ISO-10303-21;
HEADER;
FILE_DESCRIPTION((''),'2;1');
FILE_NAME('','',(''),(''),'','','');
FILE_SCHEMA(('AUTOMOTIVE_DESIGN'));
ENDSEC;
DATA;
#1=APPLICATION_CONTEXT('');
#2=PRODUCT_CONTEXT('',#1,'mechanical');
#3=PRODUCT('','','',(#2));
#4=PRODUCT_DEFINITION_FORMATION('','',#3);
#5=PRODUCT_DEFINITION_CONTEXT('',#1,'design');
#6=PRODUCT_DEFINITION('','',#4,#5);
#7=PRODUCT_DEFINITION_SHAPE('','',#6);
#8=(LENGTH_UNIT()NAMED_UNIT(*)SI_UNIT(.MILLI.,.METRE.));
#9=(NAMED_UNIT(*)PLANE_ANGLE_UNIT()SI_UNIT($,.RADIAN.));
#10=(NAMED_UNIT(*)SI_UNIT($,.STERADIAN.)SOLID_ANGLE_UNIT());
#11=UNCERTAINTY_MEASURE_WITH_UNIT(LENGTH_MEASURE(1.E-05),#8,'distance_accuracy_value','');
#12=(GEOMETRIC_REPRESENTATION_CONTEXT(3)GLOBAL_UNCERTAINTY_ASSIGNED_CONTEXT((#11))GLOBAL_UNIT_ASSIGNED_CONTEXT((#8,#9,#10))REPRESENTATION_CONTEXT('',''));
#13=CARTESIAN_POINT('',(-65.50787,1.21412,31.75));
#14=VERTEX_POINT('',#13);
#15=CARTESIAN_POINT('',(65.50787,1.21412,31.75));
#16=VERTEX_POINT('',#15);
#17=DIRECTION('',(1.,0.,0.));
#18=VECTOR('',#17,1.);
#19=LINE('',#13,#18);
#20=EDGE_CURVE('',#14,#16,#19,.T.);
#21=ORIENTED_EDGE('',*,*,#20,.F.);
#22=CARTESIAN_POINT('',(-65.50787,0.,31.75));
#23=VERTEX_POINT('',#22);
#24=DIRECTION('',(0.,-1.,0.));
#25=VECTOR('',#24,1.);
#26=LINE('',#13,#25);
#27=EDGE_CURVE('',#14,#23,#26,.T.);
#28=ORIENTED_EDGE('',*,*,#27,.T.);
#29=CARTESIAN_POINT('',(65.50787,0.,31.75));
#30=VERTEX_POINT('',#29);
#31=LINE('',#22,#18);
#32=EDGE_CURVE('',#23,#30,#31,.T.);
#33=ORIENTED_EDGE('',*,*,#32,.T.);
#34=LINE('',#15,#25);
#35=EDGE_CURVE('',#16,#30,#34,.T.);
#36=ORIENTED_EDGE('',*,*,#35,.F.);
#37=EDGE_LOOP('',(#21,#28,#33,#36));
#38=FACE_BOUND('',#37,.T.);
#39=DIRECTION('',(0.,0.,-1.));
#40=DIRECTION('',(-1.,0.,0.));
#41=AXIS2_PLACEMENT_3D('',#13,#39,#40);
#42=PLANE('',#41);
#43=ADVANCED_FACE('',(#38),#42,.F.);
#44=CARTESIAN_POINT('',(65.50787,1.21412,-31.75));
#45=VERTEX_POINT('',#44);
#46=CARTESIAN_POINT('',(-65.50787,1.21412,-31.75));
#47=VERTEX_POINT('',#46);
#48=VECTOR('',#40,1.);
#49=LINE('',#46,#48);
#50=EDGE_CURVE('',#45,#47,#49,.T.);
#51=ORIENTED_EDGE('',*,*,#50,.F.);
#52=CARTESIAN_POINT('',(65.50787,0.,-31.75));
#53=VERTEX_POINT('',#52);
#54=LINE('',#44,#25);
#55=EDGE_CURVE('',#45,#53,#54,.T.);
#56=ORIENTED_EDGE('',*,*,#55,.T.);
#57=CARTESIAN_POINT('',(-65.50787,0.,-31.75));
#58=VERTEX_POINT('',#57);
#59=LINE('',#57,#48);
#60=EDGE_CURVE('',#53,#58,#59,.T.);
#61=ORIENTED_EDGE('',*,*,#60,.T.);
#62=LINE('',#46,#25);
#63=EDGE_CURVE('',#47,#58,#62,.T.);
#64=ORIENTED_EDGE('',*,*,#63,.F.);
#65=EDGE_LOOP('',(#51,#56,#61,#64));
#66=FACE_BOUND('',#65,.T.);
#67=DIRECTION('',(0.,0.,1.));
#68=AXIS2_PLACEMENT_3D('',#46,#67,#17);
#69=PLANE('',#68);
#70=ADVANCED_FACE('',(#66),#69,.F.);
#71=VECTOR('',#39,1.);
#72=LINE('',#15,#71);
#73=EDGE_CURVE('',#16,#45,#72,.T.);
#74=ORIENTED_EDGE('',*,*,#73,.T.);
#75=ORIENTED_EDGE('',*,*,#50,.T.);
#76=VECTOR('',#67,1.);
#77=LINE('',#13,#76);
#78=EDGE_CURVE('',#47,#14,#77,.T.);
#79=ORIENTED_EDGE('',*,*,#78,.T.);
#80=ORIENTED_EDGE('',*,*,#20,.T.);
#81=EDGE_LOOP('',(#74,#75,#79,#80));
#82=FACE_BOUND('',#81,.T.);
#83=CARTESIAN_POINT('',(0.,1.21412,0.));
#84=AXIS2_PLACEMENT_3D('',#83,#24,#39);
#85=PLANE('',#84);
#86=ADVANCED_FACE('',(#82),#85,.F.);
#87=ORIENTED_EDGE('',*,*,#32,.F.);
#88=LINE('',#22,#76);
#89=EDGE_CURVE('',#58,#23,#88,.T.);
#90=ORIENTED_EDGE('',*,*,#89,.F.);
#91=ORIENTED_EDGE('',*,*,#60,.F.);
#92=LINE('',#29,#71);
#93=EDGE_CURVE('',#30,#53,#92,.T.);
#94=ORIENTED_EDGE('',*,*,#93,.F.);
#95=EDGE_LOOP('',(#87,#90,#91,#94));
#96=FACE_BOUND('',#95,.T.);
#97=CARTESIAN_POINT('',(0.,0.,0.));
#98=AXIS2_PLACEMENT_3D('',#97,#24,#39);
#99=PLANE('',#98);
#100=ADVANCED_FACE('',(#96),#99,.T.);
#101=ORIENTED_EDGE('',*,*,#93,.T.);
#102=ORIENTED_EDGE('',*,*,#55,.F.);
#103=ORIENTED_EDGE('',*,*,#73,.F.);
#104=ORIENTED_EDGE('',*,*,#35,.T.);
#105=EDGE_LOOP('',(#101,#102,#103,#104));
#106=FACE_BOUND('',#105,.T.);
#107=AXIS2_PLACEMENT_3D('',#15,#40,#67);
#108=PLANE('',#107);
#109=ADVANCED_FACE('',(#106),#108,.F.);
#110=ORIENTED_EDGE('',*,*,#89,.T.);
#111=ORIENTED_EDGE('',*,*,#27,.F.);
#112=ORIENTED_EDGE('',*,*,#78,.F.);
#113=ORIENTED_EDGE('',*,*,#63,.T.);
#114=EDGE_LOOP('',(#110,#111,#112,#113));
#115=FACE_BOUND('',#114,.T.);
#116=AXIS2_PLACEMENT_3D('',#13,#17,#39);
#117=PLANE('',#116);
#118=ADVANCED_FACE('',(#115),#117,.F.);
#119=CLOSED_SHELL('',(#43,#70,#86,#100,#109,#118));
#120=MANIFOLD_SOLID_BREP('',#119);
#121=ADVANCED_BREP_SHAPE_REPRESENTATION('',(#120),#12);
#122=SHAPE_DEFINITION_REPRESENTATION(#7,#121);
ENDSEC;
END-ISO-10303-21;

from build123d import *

# Parameters (mm, degrees)
SKETCH1_W           = 131.01574
SKETCH1_H           = 63.5
BOSS_EXTRUDE1_DEPTH = 1.21412


with BuildPart() as part:
    # Sketch1 → Boss-Extrude1 (new body)
    with BuildSketch(Plane(origin=(0, 0, 0), x_dir=(1, 0, 0), z_dir=(0, 1, 0))):
        Rectangle(SKETCH1_W, SKETCH1_H)
    extrude(amount=BOSS_EXTRUDE1_DEPTH)


solid = part.part
